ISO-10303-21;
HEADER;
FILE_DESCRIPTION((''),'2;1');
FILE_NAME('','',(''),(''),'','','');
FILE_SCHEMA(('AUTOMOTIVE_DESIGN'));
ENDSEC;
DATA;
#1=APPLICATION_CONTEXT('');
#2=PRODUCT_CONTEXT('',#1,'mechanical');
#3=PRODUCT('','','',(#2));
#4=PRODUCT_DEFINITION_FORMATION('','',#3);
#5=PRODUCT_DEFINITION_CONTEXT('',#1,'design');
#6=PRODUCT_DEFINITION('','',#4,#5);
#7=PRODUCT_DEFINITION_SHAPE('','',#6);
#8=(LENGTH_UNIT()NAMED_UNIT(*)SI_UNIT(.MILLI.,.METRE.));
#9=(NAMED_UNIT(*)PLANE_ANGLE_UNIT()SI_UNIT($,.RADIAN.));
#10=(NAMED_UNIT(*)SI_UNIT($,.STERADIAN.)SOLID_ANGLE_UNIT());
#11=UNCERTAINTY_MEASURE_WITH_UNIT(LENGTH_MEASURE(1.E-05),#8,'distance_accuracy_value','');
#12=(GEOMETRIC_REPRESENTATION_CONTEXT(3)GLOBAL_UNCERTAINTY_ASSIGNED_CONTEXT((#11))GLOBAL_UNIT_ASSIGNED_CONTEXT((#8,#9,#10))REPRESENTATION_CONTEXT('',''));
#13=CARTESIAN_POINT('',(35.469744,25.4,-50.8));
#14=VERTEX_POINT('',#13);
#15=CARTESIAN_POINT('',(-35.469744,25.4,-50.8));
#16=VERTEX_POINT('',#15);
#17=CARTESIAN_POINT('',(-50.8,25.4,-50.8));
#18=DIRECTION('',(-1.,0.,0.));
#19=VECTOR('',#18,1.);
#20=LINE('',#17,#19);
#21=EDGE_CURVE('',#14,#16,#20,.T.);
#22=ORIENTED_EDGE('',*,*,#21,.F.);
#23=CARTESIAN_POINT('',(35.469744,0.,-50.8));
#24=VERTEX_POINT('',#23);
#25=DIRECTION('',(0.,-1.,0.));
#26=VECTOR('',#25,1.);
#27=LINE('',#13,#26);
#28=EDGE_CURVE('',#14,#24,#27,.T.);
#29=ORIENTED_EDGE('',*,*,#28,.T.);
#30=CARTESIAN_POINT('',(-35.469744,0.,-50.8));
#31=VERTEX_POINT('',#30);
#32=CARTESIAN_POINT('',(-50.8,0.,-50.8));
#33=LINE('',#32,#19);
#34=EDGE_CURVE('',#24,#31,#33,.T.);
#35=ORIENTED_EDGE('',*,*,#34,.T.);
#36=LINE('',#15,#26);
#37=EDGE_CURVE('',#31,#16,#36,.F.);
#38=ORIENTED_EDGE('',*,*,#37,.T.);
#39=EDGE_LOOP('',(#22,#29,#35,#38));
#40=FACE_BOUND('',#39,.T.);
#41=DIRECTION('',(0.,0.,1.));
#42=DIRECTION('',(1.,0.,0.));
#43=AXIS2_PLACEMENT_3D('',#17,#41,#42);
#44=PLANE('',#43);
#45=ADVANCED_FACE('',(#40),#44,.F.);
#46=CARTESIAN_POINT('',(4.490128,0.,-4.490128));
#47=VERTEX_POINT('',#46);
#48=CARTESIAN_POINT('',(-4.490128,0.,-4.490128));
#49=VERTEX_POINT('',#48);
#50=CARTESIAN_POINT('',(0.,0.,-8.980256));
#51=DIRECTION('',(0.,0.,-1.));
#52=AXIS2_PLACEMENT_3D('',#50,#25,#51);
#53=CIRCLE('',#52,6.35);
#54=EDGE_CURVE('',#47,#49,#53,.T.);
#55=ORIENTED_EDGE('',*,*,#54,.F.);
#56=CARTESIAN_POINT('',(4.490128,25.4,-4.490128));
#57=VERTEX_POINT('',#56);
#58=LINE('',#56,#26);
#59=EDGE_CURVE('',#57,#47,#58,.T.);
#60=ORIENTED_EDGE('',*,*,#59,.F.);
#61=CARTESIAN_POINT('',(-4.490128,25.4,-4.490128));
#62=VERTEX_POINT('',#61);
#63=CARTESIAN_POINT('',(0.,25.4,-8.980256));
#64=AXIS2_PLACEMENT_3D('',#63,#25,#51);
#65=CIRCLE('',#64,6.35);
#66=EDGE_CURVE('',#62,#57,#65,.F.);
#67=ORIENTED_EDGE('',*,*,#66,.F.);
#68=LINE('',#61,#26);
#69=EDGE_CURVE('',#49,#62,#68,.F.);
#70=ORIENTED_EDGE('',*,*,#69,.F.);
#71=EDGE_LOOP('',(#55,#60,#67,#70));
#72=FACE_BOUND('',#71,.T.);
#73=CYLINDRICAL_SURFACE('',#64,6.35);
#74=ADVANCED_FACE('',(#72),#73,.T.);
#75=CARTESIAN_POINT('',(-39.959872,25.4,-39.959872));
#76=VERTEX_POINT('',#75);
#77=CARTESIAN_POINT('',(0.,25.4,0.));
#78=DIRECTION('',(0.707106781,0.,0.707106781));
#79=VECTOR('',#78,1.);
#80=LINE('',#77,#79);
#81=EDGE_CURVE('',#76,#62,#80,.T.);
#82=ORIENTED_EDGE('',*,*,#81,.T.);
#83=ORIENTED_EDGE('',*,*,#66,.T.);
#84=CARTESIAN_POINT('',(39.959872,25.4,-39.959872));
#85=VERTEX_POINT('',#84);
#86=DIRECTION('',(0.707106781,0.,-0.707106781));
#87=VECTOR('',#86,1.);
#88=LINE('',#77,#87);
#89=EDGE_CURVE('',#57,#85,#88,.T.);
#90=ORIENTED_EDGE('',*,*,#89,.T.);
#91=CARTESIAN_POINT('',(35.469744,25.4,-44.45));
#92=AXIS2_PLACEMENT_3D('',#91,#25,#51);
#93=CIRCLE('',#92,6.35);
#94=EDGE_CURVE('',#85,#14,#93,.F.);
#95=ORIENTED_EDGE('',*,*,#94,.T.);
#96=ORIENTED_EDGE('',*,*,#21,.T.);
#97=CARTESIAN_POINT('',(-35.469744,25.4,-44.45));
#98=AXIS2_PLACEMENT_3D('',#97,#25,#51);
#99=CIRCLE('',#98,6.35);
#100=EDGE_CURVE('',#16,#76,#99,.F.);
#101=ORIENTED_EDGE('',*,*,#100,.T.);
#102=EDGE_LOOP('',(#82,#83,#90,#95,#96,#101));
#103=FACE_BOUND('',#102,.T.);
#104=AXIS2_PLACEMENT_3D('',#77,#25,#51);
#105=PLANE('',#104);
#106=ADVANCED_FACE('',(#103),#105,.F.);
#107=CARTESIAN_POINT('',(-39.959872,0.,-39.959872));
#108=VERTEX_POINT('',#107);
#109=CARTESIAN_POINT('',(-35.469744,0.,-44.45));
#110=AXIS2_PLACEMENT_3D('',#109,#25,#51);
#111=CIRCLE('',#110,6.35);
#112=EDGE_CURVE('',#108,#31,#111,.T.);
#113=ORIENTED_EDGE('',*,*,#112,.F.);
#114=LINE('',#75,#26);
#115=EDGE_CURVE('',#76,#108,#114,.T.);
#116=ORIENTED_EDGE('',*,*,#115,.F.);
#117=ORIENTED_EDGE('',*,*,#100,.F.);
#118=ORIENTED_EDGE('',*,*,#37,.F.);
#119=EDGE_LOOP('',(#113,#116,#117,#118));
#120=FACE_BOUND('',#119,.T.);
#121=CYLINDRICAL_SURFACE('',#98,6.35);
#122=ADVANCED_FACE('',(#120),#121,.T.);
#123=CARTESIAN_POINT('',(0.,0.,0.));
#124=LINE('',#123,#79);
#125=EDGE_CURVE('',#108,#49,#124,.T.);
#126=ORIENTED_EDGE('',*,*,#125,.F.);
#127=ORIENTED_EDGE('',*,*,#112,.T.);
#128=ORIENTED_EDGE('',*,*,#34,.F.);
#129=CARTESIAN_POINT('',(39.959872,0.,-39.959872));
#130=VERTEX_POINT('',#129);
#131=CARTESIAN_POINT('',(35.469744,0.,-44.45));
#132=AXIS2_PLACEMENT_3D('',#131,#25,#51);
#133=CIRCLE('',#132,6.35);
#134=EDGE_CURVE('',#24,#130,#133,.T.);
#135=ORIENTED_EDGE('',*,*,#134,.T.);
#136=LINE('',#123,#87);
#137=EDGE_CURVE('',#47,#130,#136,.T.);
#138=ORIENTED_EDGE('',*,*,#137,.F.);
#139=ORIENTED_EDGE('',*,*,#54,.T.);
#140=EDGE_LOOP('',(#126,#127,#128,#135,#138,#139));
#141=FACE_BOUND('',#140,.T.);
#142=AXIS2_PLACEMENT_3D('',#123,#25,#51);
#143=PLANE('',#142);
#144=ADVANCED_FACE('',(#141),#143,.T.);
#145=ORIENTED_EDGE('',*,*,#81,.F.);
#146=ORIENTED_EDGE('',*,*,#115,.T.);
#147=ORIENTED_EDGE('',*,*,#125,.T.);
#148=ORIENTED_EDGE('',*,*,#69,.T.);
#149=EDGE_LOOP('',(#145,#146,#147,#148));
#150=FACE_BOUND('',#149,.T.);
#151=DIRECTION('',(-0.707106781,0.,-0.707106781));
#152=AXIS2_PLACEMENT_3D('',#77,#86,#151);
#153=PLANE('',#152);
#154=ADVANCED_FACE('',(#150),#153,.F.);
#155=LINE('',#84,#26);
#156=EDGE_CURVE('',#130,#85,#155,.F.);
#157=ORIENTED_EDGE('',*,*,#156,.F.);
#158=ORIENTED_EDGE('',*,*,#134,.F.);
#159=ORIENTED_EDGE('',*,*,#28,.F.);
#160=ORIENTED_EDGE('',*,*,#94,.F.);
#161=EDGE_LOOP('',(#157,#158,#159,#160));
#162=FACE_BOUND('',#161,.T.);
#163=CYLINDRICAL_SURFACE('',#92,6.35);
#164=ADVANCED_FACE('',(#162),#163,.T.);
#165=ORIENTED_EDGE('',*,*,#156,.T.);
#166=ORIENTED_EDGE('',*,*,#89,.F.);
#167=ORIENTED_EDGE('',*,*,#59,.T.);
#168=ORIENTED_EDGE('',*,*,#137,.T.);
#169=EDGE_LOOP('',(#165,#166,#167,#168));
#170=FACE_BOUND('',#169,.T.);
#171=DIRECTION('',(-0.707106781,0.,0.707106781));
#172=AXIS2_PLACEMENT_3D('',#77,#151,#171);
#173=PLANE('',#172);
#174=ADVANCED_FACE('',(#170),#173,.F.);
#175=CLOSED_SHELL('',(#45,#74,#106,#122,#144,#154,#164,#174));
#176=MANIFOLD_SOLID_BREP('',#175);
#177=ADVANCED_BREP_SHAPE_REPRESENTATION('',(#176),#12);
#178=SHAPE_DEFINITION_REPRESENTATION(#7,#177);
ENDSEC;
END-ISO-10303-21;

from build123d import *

# Parameters (mm, degrees)
BOSS_EXTRUDE1_DEPTH = 25.4
FILLET1_R           = 6.35


with BuildPart() as part:
    # Sketch1 → Boss-Extrude1 (new body)
    with BuildSketch(Plane(origin=(0, 0, 0), x_dir=(1, 0, 0), z_dir=(0, 1, 0))):
        Polygon((0, 0), (50.8, 50.8), (-50.8, 50.8), align=None)
    extrude(amount=BOSS_EXTRUDE1_DEPTH)

    # Fillet1
    fillet1_edges = [part.edges().sort_by_distance(p)[0] for p in [
        (-50.8, 12.7, -50.8),
        (50.8, 12.7, -50.8),
        (0, 12.7, 0),
    ]]
    fillet(fillet1_edges, radius=FILLET1_R)


solid = part.part
